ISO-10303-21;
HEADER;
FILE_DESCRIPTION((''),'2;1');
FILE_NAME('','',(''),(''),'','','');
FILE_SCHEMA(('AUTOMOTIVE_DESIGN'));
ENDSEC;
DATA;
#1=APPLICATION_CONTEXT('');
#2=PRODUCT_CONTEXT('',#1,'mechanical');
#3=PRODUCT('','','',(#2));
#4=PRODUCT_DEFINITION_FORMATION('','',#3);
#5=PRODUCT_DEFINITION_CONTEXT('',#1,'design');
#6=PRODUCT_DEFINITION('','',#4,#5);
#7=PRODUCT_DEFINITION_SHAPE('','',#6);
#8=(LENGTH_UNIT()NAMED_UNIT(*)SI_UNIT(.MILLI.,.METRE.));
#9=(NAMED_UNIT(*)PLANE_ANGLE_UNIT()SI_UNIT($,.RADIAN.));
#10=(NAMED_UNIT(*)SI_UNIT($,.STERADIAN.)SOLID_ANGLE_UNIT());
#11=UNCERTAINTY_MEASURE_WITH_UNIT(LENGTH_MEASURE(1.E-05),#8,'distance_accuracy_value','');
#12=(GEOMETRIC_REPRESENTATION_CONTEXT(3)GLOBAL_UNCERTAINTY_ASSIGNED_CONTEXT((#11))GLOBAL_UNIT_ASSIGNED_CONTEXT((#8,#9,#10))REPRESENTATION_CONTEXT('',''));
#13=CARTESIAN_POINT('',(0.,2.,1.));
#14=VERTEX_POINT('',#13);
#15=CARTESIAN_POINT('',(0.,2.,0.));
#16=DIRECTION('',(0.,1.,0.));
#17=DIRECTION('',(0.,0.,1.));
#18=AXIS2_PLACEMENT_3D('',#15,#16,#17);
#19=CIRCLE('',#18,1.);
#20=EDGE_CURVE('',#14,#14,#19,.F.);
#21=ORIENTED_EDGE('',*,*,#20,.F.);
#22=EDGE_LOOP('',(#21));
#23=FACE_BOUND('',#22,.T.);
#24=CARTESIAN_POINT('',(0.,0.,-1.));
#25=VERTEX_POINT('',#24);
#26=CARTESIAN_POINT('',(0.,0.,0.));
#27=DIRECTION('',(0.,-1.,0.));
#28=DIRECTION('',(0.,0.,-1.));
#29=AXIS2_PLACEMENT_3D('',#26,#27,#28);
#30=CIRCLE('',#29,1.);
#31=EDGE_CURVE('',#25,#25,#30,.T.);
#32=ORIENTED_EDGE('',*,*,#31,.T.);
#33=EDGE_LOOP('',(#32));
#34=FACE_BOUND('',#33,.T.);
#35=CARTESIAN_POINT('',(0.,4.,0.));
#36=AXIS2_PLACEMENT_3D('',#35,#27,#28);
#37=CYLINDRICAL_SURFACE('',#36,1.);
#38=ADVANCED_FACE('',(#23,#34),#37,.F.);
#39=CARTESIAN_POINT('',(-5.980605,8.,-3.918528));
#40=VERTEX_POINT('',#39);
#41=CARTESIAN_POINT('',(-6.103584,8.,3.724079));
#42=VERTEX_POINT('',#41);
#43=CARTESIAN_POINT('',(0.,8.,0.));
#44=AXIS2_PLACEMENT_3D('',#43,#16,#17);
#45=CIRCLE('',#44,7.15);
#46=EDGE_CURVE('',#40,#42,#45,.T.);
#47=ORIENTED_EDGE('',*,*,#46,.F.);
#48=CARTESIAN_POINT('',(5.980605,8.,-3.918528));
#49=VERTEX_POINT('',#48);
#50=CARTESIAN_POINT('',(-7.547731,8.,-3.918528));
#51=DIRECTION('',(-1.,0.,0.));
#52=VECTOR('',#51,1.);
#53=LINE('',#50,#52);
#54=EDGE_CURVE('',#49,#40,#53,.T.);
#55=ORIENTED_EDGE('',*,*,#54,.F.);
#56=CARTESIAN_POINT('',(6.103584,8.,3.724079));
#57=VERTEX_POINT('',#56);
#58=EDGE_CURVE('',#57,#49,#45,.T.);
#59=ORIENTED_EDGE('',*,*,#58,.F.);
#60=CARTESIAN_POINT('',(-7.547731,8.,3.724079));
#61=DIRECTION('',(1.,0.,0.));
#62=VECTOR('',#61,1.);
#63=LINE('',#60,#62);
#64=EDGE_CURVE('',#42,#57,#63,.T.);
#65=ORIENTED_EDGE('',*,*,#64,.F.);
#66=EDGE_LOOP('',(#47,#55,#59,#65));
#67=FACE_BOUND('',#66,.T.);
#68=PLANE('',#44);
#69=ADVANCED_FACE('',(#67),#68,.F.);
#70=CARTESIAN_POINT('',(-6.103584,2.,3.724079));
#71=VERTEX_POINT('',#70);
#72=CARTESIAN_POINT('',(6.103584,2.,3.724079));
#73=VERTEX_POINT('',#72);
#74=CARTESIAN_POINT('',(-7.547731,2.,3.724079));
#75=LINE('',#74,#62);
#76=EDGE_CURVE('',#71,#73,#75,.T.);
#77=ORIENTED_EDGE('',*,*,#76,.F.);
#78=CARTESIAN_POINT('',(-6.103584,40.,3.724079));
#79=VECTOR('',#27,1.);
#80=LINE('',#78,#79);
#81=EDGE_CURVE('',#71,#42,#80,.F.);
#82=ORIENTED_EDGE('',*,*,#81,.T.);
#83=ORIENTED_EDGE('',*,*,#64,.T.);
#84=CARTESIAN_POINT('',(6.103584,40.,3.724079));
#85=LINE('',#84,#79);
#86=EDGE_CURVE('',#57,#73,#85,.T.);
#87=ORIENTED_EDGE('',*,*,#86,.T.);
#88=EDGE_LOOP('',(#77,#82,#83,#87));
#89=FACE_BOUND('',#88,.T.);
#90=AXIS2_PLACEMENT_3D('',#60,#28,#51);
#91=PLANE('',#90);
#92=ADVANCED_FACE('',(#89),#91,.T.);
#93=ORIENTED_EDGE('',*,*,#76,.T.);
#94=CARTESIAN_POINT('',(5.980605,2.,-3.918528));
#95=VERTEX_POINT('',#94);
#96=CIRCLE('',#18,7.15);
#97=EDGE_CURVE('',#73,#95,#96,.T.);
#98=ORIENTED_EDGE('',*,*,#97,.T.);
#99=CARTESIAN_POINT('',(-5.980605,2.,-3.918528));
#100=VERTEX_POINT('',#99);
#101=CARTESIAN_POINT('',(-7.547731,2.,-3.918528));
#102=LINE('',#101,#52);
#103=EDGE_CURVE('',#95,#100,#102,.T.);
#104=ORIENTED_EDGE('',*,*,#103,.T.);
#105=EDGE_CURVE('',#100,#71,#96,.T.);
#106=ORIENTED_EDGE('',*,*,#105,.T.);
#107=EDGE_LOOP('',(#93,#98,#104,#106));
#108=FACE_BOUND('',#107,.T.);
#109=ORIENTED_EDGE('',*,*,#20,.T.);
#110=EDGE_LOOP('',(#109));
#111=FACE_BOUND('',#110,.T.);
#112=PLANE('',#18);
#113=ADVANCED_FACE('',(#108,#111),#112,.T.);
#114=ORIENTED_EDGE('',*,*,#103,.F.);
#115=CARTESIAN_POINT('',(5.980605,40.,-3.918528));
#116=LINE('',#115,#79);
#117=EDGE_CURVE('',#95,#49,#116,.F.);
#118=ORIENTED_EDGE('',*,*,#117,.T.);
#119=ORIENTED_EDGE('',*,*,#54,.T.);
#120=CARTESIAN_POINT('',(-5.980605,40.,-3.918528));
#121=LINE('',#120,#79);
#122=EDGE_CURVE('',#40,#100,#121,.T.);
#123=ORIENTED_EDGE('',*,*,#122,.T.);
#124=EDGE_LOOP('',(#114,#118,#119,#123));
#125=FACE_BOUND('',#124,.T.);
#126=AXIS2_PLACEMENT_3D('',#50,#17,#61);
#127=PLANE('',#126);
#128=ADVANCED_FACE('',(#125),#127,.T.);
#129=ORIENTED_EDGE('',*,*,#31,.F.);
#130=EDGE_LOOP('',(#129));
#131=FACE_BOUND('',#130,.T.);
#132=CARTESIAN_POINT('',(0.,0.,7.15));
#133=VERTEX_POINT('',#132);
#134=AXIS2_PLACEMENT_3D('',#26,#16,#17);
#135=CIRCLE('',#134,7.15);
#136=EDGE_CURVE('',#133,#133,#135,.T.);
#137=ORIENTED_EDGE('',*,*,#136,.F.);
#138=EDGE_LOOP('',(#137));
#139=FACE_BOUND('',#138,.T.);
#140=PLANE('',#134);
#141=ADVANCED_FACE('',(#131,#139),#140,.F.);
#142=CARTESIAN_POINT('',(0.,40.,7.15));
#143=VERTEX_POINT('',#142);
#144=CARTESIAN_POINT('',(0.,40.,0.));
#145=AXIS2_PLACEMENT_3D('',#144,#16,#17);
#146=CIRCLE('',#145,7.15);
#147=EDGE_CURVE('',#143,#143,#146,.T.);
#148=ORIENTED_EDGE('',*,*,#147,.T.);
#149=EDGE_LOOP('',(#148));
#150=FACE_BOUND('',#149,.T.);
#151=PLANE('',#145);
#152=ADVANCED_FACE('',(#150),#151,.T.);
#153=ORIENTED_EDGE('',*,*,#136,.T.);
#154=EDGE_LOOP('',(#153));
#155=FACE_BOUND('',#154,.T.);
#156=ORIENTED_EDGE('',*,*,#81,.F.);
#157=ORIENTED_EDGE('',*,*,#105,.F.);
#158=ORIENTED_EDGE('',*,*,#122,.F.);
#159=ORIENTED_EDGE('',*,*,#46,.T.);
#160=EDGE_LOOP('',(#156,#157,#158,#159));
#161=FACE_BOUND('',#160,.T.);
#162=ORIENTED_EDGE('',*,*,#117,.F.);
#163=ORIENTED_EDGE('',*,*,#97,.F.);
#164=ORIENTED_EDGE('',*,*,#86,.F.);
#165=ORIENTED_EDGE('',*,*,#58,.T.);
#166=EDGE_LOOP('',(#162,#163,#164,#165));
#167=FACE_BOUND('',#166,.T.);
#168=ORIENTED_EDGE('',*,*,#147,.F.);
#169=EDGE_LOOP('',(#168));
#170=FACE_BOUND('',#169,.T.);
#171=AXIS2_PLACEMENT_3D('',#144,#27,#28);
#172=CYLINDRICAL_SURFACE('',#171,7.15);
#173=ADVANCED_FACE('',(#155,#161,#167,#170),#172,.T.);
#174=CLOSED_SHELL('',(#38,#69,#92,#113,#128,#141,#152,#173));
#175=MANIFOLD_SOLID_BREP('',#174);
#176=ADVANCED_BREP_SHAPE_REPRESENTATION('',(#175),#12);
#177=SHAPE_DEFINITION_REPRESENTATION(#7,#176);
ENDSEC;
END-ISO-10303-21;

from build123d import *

# Parameters (mm, degrees)
SKETCH1_R           = 7.15
BOSS_EXTRUDE1_DEPTH = 40
SKETCH2_R           = 1
CUT_EXTRUDE1_DEPTH  = 4
SKETCH3_W           = 14.94180525
SKETCH3_H           = 7.642607054
CUT_EXTRUDE2_DEPTH  = 6


with BuildPart() as part:
    # Sketch1 → Boss-Extrude1 (new body)
    with BuildSketch(Plane(origin=(0, 0, 0), x_dir=(1, 0, 0), z_dir=(0, 1, 0))):
        with Locations(Location((0, 0, 0), (0, 0, 270))):
            Circle(SKETCH1_R)
    extrude(amount=BOSS_EXTRUDE1_DEPTH)

    # Sketch2 → Cut-Extrude1 (cut)
    with BuildSketch(Plane.XZ):
        with Locations(Location((0, 0, 0), (0, 0, 270))):
            Circle(SKETCH2_R)
    extrude(amount=-CUT_EXTRUDE1_DEPTH, mode=Mode.SUBTRACT)

    # Sketch3 → Cut-Extrude2 (cut)
    with BuildSketch(Plane(origin=(0, 2, 0), x_dir=(1, 0, 0), z_dir=(0, 1, 0))):
        with Locations((-0.076828784, 0.097224969)):
            Rectangle(SKETCH3_W, SKETCH3_H)
    extrude(amount=CUT_EXTRUDE2_DEPTH, mode=Mode.SUBTRACT)


solid = part.part
